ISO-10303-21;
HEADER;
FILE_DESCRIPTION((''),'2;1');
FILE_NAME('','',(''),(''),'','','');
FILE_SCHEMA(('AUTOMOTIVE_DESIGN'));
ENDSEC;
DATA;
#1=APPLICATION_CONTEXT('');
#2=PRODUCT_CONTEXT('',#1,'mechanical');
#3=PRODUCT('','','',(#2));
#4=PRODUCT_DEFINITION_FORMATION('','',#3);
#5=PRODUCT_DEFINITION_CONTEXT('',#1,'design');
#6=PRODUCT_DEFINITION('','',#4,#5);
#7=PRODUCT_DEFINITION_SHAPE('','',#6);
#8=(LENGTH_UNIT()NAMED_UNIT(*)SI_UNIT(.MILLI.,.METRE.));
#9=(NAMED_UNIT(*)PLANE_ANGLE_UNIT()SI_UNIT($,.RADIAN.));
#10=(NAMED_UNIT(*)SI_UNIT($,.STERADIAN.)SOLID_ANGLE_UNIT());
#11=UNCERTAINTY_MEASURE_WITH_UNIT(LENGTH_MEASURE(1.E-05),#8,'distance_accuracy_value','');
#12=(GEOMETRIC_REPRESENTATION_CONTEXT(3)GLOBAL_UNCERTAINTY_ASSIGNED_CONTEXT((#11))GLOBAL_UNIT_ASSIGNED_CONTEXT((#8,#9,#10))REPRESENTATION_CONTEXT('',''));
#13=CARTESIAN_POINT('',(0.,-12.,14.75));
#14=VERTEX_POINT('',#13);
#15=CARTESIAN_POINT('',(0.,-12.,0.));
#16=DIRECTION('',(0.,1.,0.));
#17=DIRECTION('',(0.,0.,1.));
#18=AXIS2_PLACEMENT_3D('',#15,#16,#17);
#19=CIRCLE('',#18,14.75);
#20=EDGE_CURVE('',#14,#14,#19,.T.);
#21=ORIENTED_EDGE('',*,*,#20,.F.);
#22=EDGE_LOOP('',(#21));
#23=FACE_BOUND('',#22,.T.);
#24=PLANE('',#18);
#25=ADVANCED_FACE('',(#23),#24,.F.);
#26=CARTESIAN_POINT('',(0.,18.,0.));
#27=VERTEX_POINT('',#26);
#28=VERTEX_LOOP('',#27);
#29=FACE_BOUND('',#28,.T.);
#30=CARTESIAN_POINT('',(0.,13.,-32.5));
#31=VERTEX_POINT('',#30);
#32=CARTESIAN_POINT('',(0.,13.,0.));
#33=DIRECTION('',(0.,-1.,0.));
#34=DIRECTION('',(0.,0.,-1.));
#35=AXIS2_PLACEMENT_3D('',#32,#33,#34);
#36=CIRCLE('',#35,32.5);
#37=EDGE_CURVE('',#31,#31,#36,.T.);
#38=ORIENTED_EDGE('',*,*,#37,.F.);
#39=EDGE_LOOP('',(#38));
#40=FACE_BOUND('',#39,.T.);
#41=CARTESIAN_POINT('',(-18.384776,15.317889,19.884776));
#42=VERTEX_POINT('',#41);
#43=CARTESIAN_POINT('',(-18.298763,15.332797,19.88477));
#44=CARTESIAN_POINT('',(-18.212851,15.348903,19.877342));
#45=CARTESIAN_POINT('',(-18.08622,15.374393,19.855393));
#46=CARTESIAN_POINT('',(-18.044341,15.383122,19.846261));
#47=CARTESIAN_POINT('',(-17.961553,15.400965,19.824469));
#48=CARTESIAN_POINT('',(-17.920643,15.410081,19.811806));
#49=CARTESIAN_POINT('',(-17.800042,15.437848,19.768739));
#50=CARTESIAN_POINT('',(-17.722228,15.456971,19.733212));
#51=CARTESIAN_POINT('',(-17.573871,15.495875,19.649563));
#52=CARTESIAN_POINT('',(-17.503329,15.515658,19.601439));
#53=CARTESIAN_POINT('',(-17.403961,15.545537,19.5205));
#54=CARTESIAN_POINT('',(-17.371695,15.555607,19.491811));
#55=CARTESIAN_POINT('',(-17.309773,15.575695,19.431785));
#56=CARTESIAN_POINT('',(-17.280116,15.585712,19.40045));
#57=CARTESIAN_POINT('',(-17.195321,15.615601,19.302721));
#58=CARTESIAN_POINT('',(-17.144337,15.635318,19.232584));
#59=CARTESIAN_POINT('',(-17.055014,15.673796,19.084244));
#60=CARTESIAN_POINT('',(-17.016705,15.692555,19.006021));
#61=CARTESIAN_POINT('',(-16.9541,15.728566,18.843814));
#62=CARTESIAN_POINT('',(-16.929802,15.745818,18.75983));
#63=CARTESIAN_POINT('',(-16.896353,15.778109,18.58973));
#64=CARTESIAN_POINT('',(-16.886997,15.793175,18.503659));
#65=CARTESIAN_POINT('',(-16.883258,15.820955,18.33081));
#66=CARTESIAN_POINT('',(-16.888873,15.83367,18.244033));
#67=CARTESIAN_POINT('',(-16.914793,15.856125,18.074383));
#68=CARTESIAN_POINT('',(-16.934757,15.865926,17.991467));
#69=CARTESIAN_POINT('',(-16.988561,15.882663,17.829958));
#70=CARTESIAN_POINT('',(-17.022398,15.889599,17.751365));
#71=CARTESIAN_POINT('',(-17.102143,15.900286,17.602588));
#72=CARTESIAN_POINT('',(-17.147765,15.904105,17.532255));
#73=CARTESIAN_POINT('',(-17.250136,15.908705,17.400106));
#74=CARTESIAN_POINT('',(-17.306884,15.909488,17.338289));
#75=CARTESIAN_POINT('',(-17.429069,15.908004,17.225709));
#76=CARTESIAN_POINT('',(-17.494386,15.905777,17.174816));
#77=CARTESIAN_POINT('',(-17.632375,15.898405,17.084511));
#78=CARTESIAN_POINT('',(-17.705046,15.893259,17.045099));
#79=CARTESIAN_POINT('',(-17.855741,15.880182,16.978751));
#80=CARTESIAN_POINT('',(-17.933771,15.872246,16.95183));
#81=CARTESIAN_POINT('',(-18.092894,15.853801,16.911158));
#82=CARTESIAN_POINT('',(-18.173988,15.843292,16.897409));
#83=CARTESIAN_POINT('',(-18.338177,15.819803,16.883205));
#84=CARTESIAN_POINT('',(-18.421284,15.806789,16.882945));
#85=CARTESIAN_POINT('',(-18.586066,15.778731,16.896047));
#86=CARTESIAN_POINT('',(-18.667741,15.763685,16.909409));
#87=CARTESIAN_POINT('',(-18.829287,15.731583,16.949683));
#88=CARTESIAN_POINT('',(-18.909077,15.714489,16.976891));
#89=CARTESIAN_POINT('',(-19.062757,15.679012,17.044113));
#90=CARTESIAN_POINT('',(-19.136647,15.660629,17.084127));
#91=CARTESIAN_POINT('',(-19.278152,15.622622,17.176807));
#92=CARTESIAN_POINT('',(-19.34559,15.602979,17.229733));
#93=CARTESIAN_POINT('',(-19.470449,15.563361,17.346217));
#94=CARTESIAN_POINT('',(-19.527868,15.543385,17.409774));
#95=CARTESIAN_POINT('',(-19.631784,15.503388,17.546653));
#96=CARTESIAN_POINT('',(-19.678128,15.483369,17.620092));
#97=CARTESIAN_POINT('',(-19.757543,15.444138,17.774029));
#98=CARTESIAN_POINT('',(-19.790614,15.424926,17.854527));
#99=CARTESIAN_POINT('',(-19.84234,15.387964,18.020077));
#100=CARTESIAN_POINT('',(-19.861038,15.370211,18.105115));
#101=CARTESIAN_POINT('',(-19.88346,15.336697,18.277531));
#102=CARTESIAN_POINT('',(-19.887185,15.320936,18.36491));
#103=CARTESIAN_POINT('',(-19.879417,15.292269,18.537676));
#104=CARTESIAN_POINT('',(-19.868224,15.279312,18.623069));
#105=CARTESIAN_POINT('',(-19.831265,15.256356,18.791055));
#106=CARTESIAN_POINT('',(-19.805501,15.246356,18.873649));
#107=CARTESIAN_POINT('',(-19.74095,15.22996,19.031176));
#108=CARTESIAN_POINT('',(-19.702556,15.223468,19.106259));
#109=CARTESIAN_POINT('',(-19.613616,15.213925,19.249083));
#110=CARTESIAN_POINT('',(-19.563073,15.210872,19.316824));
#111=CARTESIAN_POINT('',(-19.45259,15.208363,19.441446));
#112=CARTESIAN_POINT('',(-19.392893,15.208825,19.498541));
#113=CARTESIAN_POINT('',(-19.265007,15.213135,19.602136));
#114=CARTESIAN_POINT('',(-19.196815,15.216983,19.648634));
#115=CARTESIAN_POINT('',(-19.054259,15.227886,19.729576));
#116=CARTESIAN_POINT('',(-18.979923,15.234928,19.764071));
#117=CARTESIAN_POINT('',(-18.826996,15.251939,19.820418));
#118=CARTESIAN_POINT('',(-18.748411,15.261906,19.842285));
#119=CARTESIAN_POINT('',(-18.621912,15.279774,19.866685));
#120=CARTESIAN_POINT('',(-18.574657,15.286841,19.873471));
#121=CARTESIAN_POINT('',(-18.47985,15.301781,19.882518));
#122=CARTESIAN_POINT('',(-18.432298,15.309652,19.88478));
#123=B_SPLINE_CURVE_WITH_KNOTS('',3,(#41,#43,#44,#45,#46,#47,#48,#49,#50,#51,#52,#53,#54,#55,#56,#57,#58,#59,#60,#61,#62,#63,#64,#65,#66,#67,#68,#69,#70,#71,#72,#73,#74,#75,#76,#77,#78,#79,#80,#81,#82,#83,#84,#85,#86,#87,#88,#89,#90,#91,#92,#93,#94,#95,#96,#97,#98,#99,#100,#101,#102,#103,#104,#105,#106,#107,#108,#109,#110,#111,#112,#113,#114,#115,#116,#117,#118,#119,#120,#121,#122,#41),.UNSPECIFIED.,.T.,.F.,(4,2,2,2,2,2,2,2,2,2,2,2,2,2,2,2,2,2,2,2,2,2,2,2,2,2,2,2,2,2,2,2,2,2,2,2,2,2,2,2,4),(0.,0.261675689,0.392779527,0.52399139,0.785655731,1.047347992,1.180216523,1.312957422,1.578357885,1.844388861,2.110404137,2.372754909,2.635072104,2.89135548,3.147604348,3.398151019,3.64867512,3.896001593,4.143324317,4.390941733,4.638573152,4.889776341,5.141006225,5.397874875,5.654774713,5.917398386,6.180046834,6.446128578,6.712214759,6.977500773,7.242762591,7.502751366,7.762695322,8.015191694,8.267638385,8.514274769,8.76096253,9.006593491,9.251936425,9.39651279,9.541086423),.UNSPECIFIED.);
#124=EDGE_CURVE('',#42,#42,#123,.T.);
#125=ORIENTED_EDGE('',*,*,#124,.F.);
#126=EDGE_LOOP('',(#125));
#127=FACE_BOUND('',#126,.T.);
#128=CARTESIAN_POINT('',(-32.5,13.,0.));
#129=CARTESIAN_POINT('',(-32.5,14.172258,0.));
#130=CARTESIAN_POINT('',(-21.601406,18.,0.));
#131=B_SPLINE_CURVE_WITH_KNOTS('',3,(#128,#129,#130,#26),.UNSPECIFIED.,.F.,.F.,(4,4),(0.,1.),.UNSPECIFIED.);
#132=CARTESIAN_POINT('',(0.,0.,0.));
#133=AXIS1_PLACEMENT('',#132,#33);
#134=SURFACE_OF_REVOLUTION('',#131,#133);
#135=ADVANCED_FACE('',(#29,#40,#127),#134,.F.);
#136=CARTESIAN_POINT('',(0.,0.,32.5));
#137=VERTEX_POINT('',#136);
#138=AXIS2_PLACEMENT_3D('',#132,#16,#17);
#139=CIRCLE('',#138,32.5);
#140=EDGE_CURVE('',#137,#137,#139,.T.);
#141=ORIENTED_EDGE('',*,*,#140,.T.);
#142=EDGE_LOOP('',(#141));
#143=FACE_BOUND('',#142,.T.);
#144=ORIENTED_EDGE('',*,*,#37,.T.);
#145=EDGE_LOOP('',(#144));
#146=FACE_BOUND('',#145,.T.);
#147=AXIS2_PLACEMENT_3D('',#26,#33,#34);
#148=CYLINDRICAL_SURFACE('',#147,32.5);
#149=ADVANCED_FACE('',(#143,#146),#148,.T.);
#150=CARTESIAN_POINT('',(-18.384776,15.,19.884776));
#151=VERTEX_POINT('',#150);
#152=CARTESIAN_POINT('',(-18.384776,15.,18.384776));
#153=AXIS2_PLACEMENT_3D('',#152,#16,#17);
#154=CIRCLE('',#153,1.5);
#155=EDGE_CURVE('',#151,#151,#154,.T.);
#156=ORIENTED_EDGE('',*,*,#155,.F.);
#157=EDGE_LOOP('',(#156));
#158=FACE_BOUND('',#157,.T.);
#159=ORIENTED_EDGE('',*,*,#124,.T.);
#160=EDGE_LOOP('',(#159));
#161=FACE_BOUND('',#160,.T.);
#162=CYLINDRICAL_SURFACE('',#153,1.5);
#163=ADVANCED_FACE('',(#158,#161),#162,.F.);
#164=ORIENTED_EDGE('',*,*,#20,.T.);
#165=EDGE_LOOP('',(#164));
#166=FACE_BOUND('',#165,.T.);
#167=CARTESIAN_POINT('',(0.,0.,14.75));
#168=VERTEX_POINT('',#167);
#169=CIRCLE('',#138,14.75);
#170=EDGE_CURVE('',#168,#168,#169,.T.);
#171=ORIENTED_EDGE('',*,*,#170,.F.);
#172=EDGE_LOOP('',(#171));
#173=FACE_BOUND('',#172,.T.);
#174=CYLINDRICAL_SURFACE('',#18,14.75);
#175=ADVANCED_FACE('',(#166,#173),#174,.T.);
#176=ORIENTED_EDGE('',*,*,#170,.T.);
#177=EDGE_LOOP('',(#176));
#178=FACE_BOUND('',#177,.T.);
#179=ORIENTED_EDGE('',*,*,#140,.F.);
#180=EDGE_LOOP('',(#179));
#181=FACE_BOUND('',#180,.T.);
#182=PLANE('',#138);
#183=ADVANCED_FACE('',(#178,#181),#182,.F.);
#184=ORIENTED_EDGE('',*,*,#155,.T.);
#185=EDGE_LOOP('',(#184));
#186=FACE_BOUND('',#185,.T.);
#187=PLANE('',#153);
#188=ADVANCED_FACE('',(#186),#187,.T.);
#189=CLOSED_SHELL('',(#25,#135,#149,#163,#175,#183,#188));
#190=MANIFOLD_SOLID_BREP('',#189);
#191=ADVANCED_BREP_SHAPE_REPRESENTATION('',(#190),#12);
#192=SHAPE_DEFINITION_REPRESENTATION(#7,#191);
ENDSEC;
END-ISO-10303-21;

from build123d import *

# Parameters (mm, degrees)
ESQUISSE1_R             = 32.5
BOSS_EXTRU_1_DEPTH      = 18
ESQUISSE3_R             = 1.5
ENL_V_MAT_EXTRU_1_DEPTH = 3
ESQUISSE4_R             = 14.75
BOSS_EXTRU_3_DEPTH      = 12


with BuildPart() as part:
    # Esquisse1 → Boss.-Extru.1 (new body)
    with BuildSketch(Plane(origin=(0, 0, 0), x_dir=(1, 0, 0), z_dir=(0, 1, 0))):
        Circle(ESQUISSE1_R)
    extrude(amount=BOSS_EXTRU_1_DEPTH)

    # Esquisse2 → Enlèvement de matière-Révolution1 (revolve, cut)
    with BuildSketch(Plane.XY):
        with BuildLine():
            Line((-32.5, 13), (-32.5, 19))
            Line((-32.5, 19), (0, 19))
            Line((0, 19), (0, 18))
            add(Edge.make_bspline(
                [(-32.5, 13), (-32.5, 14.172258114), (-21.601405785, 18), (0, 18)],
                knots=[0, 0, 0, 0, 1, 1, 1, 1], degree=3))
        make_face()
    revolve(axis=Axis((0, 0, 0), (0, 1, 0)), mode=Mode.SUBTRACT)

    # Esquisse3 → Enlèv. mat.-Extru.1 (cut)
    with BuildSketch(Plane(origin=(0, 18, 0), x_dir=(1, 0, 0), z_dir=(0, 1, 0))):
        with Locations((-18.384776311, -18.384776311)):
            Circle(ESQUISSE3_R)
    extrude(amount=-ENL_V_MAT_EXTRU_1_DEPTH, mode=Mode.SUBTRACT)

    # Esquisse4 → Boss.-Extru.3 (add)
    with BuildSketch(Plane(origin=(0, 0, 0), x_dir=(1, 0, 0), z_dir=(0, 1, 0))):
        Circle(ESQUISSE4_R)
    extrude(amount=-BOSS_EXTRU_3_DEPTH)


solid = part.part
